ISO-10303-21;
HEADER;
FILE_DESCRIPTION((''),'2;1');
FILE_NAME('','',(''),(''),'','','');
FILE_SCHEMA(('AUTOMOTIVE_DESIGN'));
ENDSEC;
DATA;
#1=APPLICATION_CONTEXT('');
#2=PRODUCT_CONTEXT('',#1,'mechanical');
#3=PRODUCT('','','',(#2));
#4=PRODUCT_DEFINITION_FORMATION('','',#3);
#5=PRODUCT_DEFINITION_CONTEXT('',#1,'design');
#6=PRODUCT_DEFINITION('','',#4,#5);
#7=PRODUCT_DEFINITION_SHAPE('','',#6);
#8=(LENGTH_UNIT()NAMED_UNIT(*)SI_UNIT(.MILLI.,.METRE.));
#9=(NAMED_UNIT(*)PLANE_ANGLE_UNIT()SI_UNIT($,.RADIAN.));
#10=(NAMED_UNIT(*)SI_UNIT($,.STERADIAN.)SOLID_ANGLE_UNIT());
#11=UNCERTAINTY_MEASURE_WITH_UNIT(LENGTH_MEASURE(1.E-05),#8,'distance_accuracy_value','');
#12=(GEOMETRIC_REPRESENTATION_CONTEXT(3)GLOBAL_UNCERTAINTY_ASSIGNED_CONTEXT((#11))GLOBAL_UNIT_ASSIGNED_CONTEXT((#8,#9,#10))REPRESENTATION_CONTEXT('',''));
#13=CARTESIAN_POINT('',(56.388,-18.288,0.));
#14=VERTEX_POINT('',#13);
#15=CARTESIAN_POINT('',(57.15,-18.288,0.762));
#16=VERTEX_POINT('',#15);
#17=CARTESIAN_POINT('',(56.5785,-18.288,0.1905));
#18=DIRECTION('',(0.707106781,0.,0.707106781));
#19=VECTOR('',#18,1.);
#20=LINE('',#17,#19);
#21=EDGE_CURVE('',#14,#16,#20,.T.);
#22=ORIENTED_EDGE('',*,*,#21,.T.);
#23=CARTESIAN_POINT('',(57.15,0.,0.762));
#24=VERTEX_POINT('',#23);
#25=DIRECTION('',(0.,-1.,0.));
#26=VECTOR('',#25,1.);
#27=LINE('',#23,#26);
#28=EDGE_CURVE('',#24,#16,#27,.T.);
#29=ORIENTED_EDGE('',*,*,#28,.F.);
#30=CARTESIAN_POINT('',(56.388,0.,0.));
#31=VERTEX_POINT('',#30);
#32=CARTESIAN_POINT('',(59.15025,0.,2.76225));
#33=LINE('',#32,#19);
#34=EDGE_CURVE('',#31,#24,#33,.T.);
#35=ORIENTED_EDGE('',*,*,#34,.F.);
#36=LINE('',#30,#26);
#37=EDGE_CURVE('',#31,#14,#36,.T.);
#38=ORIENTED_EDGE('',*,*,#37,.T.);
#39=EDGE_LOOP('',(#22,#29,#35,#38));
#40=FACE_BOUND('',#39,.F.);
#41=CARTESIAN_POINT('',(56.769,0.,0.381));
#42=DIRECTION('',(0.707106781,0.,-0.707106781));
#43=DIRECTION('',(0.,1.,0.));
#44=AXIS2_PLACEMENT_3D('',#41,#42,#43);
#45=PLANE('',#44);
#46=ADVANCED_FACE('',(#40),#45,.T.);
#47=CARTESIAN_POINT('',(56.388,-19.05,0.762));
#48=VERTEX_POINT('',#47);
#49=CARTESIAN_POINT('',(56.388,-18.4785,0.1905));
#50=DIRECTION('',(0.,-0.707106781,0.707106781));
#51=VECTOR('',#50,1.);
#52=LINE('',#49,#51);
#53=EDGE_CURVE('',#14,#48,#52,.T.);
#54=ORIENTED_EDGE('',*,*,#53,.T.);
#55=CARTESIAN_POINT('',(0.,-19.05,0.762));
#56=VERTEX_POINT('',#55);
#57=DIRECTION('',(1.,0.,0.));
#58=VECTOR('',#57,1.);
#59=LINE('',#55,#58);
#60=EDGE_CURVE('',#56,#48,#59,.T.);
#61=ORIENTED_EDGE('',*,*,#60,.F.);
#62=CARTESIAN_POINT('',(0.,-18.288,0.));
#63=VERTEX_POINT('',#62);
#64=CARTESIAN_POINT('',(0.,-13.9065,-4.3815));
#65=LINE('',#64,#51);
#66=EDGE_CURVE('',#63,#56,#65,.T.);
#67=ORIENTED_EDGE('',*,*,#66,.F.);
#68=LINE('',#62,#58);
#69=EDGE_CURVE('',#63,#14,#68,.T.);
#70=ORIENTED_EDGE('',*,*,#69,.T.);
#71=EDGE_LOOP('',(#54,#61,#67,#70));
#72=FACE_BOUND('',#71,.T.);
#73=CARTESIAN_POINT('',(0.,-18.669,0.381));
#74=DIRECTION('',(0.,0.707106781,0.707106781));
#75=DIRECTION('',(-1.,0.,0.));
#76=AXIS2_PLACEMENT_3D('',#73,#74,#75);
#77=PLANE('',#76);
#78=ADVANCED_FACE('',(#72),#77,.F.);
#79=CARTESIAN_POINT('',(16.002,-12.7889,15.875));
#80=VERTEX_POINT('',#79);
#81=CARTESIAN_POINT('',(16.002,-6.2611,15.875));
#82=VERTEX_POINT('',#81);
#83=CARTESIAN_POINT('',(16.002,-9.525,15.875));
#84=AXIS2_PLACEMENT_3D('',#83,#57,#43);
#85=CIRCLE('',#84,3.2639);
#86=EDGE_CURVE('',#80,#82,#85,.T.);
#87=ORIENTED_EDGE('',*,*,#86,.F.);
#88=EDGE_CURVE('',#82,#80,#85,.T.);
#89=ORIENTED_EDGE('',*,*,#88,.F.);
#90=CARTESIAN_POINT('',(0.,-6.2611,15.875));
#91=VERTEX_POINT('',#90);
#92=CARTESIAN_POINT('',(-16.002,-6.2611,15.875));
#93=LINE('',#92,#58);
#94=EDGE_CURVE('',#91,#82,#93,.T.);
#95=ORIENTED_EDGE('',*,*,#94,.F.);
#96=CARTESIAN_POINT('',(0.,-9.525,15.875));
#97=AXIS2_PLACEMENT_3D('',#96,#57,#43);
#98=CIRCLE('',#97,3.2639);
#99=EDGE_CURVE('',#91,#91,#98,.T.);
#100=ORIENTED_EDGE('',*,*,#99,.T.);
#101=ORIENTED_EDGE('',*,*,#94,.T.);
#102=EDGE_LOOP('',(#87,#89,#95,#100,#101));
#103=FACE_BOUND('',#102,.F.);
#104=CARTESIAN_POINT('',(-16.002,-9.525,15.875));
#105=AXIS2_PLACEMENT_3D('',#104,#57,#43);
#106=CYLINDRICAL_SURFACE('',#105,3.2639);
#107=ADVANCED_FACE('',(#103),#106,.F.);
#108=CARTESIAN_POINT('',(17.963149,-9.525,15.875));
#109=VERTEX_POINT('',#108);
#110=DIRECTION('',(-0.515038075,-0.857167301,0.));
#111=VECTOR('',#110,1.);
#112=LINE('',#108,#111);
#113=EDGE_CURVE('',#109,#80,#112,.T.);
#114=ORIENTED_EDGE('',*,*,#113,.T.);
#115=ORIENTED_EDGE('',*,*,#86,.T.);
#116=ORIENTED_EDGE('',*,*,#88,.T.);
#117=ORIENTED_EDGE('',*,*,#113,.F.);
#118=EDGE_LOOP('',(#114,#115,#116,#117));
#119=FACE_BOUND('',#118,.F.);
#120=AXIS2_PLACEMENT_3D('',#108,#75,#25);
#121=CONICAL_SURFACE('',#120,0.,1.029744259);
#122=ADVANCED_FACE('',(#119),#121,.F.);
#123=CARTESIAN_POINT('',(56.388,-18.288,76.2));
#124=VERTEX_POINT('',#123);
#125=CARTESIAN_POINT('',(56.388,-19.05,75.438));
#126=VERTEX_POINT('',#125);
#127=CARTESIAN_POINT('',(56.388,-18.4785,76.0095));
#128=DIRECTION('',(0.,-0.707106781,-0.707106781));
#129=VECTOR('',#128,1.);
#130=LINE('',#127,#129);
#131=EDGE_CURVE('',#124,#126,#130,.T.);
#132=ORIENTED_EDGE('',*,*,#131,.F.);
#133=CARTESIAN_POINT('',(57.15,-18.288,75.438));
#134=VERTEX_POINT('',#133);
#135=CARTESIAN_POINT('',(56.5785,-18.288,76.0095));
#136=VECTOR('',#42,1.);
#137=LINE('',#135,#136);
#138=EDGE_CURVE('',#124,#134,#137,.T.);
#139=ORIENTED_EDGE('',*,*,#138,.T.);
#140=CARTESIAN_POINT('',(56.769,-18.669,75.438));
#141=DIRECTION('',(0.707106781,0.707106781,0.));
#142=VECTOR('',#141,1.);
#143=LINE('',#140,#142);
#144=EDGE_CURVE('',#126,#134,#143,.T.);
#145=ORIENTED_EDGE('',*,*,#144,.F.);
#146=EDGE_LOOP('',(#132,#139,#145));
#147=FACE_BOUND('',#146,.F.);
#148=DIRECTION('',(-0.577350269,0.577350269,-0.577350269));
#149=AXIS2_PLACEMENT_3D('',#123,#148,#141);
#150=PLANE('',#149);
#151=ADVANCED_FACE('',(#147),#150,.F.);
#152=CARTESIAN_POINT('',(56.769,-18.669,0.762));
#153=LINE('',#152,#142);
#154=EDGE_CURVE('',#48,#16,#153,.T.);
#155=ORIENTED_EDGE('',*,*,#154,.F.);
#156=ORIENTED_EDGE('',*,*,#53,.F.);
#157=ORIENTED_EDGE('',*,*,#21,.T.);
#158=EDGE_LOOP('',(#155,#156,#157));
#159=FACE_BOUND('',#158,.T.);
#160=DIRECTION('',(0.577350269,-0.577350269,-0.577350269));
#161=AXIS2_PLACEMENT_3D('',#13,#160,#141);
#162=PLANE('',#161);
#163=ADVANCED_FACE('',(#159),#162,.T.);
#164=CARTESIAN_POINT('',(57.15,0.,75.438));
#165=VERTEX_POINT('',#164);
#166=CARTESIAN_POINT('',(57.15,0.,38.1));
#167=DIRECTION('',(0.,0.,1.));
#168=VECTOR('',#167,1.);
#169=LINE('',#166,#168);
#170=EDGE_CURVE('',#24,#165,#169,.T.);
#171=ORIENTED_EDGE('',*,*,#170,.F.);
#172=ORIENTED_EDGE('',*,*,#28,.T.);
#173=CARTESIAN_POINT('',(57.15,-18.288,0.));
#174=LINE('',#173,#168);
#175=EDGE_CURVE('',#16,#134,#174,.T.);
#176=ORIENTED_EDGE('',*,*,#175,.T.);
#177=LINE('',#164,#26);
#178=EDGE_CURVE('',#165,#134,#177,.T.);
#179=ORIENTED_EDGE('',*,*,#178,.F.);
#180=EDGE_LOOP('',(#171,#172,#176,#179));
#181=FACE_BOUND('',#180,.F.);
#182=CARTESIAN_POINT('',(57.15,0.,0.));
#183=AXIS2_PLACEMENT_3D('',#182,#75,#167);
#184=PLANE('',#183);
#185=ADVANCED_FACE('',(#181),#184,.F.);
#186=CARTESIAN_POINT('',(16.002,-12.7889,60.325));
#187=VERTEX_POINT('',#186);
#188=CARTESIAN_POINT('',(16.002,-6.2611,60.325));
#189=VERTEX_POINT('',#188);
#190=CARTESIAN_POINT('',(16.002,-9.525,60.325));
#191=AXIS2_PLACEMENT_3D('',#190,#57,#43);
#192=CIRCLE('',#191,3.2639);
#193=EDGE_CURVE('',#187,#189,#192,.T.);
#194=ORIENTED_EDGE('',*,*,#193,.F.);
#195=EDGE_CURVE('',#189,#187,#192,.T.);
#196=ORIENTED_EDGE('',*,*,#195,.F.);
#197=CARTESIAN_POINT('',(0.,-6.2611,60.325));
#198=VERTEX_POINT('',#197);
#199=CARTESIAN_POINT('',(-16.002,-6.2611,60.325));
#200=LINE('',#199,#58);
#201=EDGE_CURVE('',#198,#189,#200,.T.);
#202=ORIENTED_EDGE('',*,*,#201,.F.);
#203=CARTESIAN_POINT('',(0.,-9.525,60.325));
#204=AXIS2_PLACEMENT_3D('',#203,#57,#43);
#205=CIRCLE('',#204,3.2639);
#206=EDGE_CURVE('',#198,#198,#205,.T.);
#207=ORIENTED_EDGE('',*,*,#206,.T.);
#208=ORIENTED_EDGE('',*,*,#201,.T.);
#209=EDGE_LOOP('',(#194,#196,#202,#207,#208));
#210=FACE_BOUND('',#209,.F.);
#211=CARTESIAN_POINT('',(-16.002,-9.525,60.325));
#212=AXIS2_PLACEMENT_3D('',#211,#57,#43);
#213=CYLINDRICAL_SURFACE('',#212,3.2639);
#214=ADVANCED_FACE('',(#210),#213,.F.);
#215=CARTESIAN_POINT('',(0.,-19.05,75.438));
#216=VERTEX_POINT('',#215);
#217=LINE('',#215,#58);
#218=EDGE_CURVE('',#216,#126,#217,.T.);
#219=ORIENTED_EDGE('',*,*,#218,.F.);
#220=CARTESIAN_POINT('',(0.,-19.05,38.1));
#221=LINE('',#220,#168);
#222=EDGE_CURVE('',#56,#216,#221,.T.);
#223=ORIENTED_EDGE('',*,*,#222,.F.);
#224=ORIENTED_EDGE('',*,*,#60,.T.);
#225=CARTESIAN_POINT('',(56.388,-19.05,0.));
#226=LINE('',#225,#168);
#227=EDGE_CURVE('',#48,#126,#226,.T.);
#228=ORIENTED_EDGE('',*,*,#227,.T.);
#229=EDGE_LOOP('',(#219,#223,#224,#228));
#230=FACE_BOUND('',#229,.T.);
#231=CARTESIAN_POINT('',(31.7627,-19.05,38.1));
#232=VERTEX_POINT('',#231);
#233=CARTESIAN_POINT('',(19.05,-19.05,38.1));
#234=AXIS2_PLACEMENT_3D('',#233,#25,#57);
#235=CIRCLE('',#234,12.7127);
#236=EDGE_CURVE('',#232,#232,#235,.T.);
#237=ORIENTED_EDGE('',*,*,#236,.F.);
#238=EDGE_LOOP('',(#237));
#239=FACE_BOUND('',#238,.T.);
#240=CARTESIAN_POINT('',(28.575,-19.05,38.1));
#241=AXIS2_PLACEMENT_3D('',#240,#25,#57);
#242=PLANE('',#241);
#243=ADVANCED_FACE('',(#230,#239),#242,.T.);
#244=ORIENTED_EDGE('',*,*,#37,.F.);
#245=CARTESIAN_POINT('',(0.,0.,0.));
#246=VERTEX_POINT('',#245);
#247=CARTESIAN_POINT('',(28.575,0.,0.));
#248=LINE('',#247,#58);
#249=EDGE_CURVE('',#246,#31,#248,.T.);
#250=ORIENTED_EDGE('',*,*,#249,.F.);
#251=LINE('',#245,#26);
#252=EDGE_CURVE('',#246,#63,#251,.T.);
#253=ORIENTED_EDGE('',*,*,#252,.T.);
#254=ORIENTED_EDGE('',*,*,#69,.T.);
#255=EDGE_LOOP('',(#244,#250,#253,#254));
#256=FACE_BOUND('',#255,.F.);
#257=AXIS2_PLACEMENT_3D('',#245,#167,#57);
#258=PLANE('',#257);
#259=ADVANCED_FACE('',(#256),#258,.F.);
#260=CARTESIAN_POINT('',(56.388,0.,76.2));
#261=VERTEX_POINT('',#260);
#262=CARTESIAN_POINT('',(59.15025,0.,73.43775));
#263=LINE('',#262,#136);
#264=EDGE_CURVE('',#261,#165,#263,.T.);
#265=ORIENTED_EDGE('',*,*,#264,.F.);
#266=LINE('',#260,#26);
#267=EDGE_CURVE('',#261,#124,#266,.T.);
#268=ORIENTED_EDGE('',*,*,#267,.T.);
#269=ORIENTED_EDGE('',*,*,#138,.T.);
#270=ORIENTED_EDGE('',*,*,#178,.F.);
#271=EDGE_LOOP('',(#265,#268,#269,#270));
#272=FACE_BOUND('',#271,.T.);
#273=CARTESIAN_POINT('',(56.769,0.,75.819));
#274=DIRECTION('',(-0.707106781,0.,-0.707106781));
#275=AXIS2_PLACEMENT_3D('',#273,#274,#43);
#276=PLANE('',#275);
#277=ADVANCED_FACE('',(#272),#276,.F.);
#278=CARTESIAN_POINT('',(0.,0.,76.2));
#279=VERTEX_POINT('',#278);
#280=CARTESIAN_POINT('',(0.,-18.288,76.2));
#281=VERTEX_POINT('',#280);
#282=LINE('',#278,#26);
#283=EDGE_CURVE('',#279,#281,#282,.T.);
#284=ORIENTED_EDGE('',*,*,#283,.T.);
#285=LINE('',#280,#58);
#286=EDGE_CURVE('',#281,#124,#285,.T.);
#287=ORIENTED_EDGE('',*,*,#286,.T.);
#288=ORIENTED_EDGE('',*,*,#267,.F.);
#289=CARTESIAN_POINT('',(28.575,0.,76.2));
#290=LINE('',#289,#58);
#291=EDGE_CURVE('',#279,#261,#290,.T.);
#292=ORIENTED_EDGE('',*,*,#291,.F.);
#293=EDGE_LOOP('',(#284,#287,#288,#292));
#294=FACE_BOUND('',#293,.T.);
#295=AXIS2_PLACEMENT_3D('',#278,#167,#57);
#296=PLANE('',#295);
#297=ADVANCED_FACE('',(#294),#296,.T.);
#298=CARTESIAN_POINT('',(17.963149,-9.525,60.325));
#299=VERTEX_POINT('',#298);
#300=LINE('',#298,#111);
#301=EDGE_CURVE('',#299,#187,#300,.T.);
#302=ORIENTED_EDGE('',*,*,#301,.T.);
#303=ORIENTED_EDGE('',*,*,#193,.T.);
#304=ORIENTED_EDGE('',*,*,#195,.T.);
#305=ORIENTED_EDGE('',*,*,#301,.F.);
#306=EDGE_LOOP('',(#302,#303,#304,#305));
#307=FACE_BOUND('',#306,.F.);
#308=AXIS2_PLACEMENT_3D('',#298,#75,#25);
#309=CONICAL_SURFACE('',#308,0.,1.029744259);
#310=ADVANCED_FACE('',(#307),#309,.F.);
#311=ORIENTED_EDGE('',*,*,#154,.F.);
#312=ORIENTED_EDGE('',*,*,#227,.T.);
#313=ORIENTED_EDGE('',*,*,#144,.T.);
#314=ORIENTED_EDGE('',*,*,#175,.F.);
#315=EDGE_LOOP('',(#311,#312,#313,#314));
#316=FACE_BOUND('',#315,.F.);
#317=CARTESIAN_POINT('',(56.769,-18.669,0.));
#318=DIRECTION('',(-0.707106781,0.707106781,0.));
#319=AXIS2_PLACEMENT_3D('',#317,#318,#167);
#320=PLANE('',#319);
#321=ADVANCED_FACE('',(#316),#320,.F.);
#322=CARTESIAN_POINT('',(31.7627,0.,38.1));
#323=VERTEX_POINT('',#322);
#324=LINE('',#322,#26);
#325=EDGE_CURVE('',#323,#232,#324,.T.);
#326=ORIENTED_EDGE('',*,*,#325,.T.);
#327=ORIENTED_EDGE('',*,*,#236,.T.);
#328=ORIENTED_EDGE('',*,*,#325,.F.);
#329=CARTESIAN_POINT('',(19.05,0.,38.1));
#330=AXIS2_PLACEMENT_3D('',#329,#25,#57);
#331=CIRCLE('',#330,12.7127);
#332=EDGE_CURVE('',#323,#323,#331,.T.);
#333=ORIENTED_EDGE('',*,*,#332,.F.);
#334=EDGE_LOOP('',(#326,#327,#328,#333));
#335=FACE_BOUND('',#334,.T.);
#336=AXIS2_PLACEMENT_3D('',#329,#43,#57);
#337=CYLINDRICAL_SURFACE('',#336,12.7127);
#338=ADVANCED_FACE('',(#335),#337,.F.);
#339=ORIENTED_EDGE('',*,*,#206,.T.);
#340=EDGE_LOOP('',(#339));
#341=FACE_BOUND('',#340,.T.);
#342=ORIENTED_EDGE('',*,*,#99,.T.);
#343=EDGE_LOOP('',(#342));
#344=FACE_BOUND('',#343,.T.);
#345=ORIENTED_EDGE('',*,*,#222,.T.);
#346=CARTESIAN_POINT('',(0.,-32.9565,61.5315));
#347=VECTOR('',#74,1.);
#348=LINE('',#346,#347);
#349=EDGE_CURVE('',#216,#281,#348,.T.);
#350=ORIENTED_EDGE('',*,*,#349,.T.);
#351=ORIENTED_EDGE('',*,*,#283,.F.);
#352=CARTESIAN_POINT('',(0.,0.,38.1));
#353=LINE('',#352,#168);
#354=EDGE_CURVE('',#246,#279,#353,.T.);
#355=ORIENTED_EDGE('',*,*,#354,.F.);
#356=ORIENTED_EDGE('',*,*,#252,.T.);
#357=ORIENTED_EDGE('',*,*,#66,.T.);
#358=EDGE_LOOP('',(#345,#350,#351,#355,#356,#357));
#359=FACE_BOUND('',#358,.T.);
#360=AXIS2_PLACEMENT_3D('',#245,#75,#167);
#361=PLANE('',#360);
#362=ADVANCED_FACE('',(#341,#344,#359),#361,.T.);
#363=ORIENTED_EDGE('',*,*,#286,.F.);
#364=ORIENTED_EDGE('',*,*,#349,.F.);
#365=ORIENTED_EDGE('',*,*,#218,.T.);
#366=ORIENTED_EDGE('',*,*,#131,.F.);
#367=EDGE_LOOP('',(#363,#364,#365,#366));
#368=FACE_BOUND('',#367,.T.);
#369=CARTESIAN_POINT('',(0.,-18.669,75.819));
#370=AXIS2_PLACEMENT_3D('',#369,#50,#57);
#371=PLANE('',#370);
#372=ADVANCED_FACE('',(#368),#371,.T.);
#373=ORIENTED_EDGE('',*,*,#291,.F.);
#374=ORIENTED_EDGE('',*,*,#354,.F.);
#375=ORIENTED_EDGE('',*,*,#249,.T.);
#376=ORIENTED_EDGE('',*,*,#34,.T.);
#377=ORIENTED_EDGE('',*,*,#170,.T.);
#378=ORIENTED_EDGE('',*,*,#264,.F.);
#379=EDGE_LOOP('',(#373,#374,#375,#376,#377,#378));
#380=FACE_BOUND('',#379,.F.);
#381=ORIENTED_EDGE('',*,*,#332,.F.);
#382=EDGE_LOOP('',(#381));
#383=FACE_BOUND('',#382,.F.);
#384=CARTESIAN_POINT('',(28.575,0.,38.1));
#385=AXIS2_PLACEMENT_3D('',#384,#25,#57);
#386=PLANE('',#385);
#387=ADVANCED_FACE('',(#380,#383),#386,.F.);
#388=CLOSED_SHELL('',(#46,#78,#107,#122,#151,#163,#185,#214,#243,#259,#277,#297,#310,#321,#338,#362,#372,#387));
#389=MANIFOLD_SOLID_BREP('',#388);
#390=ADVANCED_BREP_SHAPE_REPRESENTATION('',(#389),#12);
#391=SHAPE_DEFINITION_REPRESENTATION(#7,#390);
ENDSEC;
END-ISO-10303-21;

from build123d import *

# Parameters (mm, degrees)
F0_W     = 57.15
F0_H     = 76.2
F0_R     = 12.7127
F1_DEPTH = 19.05
F3_D     = 6.5278
F3_DEPTH = 16.002
F3_TIP   = 1.9611489744
F4_SIZE2 = 0.762
F4_SIZE  = 0.762


with BuildPart() as f1:
    # F0 (on Front) → F1 (new body)
    with BuildSketch(Plane.XZ):
        with Locations((28.575, 38.1)):
            Rectangle(F0_W, F0_H)
        with Locations((19.05, 38.1)):
            Circle(F0_R, mode=Mode.SUBTRACT)
    extrude(amount=F1_DEPTH)

    # F3
    with Locations(Plane(origin=(0, 0, 0), x_dir=(0, -1, 0), z_dir=(-1, 0, 0))):
        with Locations((9.525, 60.325), (9.525, 15.875)):
            Hole(F3_D / 2, depth=F3_DEPTH)
            with Locations((0, 0, -(F3_DEPTH + F3_TIP / 2))):  # 118° drill point
                Cone(0, F3_D / 2, F3_TIP, mode=Mode.SUBTRACT)

    # F4
    f4_edges = [f1.edges().sort_by_distance(p)[0] for p in [
        (57.15, -19.05, 38.1),
        (28.575, -19.05, 76.2),
        (28.575, -19.05, 0),
        (57.15, -9.525, 76.2),
        (57.15, -9.525, 0),
    ]]
    chamfer(f4_edges, length=F4_SIZE, length2=F4_SIZE2)


solid = f1.part
